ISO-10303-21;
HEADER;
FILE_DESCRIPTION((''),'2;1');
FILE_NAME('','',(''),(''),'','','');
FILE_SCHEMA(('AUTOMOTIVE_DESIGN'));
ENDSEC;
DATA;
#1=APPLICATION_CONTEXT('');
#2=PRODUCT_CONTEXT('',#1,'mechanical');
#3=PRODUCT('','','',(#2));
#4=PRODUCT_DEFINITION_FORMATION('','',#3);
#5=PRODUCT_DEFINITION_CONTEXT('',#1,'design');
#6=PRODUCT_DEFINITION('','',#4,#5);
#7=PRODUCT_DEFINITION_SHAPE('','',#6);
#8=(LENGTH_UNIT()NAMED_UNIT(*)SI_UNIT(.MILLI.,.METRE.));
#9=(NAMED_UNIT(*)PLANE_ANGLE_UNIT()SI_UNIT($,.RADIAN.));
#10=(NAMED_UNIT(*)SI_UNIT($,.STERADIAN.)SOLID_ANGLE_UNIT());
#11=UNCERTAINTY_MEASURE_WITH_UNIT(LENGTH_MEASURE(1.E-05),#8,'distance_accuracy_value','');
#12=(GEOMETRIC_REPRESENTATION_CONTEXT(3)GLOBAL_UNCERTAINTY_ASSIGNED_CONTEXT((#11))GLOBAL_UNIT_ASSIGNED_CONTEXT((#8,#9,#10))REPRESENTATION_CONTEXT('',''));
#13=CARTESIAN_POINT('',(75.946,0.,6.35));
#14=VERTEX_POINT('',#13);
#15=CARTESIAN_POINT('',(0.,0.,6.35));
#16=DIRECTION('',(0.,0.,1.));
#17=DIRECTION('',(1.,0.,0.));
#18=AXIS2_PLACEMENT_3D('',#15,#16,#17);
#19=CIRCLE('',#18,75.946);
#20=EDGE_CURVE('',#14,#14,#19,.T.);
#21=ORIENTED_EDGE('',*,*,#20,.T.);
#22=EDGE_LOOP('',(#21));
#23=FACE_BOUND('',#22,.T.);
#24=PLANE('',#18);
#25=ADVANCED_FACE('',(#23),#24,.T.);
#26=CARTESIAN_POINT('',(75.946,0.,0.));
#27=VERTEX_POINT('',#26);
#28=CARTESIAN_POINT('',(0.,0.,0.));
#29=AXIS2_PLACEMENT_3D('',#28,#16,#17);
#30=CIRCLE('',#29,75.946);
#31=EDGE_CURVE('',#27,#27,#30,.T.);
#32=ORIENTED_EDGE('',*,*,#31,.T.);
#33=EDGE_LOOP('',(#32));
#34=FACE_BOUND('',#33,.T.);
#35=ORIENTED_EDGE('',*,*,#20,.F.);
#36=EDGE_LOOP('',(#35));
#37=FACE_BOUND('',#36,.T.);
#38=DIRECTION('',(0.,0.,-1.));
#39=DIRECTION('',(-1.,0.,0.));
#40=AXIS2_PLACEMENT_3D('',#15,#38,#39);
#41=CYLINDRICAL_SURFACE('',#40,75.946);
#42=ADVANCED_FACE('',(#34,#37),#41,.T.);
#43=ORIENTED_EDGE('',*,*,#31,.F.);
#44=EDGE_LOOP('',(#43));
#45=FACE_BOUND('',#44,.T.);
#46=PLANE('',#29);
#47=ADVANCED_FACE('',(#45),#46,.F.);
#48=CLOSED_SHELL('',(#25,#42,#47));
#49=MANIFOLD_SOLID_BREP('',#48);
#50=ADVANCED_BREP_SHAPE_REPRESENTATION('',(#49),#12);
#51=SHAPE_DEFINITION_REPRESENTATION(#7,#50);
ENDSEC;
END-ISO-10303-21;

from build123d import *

# Parameters (mm, degrees)
SKETCH1_R           = 75.946
BOSS_EXTRUDE1_DEPTH = 6.35


with BuildPart() as part:
    # Sketch1 → Boss-Extrude1 (new body)
    with BuildSketch(Plane.XY):
        Circle(SKETCH1_R)
    extrude(amount=BOSS_EXTRUDE1_DEPTH)


solid = part.part
